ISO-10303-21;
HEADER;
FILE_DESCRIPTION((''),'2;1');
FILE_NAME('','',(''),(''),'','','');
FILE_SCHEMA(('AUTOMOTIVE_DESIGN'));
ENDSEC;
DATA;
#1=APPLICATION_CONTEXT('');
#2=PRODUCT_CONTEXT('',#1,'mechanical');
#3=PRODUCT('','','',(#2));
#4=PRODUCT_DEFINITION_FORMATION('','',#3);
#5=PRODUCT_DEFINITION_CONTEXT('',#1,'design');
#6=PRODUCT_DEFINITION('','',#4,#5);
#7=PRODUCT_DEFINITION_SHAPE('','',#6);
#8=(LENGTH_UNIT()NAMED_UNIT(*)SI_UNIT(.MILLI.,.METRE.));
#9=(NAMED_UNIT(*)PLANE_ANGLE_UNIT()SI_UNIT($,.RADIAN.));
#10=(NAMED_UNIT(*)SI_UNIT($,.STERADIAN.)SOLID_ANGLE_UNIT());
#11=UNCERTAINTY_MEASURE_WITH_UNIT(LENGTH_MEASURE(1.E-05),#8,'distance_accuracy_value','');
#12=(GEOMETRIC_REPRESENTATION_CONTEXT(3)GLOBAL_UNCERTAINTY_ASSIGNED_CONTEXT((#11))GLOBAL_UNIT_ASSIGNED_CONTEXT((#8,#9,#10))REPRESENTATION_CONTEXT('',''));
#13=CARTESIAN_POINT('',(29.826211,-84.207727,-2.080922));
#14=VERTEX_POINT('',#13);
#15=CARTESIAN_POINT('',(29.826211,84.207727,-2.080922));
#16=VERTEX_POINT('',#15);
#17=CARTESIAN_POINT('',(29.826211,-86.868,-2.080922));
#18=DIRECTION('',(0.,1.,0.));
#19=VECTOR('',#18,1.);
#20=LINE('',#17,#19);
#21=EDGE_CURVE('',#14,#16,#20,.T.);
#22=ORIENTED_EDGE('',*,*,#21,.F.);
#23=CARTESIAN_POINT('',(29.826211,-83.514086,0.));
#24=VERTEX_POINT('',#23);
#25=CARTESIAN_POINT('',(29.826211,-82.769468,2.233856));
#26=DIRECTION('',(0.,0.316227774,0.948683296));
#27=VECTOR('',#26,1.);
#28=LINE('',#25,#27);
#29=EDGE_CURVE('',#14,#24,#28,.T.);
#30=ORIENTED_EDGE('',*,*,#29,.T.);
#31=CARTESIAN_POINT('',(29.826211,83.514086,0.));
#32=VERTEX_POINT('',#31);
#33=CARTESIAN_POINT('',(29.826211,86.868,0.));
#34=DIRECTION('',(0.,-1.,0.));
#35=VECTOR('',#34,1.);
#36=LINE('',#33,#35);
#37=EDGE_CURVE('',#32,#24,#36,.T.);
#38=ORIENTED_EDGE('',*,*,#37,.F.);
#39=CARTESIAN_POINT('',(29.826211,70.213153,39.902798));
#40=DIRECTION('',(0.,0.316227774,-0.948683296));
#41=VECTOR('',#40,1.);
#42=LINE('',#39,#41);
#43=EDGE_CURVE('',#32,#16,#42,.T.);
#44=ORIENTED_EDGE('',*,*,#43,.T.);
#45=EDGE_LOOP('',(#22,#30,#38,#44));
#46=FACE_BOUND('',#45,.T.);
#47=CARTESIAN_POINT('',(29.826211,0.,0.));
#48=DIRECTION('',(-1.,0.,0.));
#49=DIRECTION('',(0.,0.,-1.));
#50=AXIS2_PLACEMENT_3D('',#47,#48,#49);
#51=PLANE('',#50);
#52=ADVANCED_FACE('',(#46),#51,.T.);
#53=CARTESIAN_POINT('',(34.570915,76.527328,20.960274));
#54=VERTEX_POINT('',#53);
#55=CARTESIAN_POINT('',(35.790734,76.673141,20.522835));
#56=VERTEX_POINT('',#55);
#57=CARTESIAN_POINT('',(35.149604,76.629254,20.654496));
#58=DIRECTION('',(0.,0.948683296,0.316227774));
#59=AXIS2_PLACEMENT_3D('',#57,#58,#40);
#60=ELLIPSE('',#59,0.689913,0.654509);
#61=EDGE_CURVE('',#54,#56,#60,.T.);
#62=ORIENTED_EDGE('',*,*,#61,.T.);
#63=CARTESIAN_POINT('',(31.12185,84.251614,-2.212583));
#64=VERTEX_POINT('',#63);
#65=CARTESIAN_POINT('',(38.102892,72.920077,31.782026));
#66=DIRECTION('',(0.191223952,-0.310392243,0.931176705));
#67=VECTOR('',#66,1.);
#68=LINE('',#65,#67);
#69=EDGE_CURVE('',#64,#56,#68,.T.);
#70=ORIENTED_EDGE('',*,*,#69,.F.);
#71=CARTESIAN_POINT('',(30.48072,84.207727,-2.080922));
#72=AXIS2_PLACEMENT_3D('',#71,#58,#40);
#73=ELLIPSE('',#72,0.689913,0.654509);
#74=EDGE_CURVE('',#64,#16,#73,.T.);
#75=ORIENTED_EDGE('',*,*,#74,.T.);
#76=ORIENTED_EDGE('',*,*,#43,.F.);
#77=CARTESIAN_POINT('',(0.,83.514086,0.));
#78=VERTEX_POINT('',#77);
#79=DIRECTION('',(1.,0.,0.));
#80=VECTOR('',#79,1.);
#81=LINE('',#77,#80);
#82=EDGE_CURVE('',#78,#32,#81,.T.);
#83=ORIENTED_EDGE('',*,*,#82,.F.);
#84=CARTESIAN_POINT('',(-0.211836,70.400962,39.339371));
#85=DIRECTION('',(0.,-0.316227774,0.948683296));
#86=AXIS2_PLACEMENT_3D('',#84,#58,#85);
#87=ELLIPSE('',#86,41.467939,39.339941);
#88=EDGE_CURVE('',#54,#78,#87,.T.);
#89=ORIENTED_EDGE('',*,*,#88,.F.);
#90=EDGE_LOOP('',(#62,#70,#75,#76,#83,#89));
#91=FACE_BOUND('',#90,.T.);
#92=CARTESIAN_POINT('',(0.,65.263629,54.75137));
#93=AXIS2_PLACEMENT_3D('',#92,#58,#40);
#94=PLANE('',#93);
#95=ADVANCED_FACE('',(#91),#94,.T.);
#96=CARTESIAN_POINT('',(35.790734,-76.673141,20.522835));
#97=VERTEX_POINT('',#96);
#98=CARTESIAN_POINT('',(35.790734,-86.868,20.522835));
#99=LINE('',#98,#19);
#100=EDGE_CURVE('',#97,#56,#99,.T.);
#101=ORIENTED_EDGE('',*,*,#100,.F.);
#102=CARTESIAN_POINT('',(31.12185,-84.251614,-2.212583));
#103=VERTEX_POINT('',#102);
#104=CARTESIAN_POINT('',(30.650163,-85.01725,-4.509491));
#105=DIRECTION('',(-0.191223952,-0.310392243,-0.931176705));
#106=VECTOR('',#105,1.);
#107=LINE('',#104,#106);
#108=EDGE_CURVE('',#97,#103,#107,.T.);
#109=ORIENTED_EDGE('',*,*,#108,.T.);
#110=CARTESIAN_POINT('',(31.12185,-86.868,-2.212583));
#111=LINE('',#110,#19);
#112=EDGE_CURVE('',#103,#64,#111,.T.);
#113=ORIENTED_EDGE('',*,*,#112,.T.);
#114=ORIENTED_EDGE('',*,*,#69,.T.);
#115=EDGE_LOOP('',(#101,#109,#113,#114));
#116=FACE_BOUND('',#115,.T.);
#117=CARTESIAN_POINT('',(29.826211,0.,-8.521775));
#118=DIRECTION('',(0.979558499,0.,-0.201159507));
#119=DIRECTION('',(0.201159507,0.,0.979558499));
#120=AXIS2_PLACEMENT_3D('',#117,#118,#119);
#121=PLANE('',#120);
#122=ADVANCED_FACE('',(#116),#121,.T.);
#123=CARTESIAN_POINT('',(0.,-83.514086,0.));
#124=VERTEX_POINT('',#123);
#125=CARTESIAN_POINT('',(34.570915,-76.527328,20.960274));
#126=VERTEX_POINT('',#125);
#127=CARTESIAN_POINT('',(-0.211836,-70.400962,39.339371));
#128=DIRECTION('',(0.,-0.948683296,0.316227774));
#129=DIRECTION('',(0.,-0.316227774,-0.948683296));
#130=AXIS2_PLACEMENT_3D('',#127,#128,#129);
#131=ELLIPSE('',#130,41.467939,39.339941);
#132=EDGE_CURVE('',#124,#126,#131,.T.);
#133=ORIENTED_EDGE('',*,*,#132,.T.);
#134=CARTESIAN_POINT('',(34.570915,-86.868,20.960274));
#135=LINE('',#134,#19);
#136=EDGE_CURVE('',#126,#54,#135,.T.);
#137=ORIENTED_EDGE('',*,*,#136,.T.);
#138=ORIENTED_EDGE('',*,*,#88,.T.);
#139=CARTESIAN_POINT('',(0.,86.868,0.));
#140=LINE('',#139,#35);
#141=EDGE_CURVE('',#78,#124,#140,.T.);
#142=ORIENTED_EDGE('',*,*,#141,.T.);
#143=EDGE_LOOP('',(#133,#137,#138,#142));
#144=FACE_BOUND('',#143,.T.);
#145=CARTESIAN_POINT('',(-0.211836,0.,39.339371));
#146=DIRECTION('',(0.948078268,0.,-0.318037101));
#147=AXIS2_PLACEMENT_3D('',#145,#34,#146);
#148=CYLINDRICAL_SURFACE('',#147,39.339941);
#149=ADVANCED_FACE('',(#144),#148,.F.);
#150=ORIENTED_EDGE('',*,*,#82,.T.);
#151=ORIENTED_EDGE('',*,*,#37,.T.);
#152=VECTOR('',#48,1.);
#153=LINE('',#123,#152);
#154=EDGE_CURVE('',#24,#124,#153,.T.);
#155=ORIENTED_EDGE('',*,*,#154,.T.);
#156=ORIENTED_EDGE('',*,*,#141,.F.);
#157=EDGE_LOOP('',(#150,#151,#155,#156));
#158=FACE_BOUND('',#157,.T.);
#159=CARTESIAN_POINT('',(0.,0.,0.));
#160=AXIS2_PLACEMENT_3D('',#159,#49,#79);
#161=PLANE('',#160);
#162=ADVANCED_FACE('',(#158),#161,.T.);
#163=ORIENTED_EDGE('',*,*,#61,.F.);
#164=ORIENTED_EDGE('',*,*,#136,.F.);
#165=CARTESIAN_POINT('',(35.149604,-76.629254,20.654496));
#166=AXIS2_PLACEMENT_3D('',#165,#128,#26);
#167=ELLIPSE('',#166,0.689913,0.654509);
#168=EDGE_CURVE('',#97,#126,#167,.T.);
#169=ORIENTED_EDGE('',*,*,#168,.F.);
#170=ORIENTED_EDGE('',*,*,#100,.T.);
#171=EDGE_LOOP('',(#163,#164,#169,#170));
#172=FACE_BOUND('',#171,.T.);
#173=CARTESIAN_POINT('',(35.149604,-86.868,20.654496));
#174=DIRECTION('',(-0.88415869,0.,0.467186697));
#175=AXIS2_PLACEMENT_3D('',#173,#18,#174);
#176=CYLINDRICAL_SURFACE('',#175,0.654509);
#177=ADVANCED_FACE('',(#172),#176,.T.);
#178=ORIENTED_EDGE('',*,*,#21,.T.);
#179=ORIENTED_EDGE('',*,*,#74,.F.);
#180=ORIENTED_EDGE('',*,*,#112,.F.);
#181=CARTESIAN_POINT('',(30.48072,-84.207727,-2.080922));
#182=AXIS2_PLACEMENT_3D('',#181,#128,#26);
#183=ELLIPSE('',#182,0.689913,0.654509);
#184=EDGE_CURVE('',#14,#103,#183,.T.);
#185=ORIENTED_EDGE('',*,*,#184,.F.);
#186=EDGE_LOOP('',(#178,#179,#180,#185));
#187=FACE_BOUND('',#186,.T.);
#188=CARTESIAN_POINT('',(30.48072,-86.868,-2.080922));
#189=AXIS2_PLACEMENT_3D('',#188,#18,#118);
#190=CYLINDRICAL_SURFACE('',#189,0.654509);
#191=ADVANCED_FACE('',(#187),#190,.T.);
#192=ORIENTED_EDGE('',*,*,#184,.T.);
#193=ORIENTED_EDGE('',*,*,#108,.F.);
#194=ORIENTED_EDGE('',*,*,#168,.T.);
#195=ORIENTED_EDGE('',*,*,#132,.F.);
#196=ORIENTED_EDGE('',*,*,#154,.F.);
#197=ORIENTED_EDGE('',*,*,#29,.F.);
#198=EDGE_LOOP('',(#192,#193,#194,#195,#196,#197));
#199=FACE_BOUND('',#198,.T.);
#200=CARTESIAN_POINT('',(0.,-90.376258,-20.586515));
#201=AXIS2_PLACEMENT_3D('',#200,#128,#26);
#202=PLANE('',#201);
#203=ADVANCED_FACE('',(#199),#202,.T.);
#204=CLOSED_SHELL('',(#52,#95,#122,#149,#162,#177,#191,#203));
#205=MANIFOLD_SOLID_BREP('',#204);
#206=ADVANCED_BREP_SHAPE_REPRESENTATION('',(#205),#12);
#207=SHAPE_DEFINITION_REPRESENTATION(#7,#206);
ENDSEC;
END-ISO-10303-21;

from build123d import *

# Parameters (mm, degrees)
F1_DEPTH = 86.868
F2_R     = 0.654509
F4_DEPTH = 63.246


with BuildPart() as f1:
    # F0 (on Front) → F1 (new body, symmetric)
    with BuildSketch(Plane.XZ):
        with BuildLine():
            ThreePointArc((37.085507, 26.82781), (22.84608, 7.465189), (0, 0))
            Line((0, 0), (29.826211, 0))
            Line((29.826211, 0), (29.826211, -8.521775))
            Line((29.826211, -8.521775), (37.085507, 26.82781))
        make_face()
    extrude(amount=F1_DEPTH, both=True)

    # F2
    f2_edges = [f1.edges().sort_by_distance(p)[0] for p in [
        (37.085507, 0, 26.82781),
        (29.826211, 0, -8.521775),
    ]]
    fillet(f2_edges, radius=F2_R)

    # F3 (on Right) → F4 (cut)
    with BuildSketch(Plane.YZ):
        Polygon((-90.376258, -20.586515), (-65.263629, 54.75137), (-99.720493, 31.098777), align=None)
        Polygon((99.720493, 31.098777), (65.263629, 54.75137), (90.376258, -20.586515), align=None)
    extrude(amount=F4_DEPTH, mode=Mode.SUBTRACT)


solid = f1.part
